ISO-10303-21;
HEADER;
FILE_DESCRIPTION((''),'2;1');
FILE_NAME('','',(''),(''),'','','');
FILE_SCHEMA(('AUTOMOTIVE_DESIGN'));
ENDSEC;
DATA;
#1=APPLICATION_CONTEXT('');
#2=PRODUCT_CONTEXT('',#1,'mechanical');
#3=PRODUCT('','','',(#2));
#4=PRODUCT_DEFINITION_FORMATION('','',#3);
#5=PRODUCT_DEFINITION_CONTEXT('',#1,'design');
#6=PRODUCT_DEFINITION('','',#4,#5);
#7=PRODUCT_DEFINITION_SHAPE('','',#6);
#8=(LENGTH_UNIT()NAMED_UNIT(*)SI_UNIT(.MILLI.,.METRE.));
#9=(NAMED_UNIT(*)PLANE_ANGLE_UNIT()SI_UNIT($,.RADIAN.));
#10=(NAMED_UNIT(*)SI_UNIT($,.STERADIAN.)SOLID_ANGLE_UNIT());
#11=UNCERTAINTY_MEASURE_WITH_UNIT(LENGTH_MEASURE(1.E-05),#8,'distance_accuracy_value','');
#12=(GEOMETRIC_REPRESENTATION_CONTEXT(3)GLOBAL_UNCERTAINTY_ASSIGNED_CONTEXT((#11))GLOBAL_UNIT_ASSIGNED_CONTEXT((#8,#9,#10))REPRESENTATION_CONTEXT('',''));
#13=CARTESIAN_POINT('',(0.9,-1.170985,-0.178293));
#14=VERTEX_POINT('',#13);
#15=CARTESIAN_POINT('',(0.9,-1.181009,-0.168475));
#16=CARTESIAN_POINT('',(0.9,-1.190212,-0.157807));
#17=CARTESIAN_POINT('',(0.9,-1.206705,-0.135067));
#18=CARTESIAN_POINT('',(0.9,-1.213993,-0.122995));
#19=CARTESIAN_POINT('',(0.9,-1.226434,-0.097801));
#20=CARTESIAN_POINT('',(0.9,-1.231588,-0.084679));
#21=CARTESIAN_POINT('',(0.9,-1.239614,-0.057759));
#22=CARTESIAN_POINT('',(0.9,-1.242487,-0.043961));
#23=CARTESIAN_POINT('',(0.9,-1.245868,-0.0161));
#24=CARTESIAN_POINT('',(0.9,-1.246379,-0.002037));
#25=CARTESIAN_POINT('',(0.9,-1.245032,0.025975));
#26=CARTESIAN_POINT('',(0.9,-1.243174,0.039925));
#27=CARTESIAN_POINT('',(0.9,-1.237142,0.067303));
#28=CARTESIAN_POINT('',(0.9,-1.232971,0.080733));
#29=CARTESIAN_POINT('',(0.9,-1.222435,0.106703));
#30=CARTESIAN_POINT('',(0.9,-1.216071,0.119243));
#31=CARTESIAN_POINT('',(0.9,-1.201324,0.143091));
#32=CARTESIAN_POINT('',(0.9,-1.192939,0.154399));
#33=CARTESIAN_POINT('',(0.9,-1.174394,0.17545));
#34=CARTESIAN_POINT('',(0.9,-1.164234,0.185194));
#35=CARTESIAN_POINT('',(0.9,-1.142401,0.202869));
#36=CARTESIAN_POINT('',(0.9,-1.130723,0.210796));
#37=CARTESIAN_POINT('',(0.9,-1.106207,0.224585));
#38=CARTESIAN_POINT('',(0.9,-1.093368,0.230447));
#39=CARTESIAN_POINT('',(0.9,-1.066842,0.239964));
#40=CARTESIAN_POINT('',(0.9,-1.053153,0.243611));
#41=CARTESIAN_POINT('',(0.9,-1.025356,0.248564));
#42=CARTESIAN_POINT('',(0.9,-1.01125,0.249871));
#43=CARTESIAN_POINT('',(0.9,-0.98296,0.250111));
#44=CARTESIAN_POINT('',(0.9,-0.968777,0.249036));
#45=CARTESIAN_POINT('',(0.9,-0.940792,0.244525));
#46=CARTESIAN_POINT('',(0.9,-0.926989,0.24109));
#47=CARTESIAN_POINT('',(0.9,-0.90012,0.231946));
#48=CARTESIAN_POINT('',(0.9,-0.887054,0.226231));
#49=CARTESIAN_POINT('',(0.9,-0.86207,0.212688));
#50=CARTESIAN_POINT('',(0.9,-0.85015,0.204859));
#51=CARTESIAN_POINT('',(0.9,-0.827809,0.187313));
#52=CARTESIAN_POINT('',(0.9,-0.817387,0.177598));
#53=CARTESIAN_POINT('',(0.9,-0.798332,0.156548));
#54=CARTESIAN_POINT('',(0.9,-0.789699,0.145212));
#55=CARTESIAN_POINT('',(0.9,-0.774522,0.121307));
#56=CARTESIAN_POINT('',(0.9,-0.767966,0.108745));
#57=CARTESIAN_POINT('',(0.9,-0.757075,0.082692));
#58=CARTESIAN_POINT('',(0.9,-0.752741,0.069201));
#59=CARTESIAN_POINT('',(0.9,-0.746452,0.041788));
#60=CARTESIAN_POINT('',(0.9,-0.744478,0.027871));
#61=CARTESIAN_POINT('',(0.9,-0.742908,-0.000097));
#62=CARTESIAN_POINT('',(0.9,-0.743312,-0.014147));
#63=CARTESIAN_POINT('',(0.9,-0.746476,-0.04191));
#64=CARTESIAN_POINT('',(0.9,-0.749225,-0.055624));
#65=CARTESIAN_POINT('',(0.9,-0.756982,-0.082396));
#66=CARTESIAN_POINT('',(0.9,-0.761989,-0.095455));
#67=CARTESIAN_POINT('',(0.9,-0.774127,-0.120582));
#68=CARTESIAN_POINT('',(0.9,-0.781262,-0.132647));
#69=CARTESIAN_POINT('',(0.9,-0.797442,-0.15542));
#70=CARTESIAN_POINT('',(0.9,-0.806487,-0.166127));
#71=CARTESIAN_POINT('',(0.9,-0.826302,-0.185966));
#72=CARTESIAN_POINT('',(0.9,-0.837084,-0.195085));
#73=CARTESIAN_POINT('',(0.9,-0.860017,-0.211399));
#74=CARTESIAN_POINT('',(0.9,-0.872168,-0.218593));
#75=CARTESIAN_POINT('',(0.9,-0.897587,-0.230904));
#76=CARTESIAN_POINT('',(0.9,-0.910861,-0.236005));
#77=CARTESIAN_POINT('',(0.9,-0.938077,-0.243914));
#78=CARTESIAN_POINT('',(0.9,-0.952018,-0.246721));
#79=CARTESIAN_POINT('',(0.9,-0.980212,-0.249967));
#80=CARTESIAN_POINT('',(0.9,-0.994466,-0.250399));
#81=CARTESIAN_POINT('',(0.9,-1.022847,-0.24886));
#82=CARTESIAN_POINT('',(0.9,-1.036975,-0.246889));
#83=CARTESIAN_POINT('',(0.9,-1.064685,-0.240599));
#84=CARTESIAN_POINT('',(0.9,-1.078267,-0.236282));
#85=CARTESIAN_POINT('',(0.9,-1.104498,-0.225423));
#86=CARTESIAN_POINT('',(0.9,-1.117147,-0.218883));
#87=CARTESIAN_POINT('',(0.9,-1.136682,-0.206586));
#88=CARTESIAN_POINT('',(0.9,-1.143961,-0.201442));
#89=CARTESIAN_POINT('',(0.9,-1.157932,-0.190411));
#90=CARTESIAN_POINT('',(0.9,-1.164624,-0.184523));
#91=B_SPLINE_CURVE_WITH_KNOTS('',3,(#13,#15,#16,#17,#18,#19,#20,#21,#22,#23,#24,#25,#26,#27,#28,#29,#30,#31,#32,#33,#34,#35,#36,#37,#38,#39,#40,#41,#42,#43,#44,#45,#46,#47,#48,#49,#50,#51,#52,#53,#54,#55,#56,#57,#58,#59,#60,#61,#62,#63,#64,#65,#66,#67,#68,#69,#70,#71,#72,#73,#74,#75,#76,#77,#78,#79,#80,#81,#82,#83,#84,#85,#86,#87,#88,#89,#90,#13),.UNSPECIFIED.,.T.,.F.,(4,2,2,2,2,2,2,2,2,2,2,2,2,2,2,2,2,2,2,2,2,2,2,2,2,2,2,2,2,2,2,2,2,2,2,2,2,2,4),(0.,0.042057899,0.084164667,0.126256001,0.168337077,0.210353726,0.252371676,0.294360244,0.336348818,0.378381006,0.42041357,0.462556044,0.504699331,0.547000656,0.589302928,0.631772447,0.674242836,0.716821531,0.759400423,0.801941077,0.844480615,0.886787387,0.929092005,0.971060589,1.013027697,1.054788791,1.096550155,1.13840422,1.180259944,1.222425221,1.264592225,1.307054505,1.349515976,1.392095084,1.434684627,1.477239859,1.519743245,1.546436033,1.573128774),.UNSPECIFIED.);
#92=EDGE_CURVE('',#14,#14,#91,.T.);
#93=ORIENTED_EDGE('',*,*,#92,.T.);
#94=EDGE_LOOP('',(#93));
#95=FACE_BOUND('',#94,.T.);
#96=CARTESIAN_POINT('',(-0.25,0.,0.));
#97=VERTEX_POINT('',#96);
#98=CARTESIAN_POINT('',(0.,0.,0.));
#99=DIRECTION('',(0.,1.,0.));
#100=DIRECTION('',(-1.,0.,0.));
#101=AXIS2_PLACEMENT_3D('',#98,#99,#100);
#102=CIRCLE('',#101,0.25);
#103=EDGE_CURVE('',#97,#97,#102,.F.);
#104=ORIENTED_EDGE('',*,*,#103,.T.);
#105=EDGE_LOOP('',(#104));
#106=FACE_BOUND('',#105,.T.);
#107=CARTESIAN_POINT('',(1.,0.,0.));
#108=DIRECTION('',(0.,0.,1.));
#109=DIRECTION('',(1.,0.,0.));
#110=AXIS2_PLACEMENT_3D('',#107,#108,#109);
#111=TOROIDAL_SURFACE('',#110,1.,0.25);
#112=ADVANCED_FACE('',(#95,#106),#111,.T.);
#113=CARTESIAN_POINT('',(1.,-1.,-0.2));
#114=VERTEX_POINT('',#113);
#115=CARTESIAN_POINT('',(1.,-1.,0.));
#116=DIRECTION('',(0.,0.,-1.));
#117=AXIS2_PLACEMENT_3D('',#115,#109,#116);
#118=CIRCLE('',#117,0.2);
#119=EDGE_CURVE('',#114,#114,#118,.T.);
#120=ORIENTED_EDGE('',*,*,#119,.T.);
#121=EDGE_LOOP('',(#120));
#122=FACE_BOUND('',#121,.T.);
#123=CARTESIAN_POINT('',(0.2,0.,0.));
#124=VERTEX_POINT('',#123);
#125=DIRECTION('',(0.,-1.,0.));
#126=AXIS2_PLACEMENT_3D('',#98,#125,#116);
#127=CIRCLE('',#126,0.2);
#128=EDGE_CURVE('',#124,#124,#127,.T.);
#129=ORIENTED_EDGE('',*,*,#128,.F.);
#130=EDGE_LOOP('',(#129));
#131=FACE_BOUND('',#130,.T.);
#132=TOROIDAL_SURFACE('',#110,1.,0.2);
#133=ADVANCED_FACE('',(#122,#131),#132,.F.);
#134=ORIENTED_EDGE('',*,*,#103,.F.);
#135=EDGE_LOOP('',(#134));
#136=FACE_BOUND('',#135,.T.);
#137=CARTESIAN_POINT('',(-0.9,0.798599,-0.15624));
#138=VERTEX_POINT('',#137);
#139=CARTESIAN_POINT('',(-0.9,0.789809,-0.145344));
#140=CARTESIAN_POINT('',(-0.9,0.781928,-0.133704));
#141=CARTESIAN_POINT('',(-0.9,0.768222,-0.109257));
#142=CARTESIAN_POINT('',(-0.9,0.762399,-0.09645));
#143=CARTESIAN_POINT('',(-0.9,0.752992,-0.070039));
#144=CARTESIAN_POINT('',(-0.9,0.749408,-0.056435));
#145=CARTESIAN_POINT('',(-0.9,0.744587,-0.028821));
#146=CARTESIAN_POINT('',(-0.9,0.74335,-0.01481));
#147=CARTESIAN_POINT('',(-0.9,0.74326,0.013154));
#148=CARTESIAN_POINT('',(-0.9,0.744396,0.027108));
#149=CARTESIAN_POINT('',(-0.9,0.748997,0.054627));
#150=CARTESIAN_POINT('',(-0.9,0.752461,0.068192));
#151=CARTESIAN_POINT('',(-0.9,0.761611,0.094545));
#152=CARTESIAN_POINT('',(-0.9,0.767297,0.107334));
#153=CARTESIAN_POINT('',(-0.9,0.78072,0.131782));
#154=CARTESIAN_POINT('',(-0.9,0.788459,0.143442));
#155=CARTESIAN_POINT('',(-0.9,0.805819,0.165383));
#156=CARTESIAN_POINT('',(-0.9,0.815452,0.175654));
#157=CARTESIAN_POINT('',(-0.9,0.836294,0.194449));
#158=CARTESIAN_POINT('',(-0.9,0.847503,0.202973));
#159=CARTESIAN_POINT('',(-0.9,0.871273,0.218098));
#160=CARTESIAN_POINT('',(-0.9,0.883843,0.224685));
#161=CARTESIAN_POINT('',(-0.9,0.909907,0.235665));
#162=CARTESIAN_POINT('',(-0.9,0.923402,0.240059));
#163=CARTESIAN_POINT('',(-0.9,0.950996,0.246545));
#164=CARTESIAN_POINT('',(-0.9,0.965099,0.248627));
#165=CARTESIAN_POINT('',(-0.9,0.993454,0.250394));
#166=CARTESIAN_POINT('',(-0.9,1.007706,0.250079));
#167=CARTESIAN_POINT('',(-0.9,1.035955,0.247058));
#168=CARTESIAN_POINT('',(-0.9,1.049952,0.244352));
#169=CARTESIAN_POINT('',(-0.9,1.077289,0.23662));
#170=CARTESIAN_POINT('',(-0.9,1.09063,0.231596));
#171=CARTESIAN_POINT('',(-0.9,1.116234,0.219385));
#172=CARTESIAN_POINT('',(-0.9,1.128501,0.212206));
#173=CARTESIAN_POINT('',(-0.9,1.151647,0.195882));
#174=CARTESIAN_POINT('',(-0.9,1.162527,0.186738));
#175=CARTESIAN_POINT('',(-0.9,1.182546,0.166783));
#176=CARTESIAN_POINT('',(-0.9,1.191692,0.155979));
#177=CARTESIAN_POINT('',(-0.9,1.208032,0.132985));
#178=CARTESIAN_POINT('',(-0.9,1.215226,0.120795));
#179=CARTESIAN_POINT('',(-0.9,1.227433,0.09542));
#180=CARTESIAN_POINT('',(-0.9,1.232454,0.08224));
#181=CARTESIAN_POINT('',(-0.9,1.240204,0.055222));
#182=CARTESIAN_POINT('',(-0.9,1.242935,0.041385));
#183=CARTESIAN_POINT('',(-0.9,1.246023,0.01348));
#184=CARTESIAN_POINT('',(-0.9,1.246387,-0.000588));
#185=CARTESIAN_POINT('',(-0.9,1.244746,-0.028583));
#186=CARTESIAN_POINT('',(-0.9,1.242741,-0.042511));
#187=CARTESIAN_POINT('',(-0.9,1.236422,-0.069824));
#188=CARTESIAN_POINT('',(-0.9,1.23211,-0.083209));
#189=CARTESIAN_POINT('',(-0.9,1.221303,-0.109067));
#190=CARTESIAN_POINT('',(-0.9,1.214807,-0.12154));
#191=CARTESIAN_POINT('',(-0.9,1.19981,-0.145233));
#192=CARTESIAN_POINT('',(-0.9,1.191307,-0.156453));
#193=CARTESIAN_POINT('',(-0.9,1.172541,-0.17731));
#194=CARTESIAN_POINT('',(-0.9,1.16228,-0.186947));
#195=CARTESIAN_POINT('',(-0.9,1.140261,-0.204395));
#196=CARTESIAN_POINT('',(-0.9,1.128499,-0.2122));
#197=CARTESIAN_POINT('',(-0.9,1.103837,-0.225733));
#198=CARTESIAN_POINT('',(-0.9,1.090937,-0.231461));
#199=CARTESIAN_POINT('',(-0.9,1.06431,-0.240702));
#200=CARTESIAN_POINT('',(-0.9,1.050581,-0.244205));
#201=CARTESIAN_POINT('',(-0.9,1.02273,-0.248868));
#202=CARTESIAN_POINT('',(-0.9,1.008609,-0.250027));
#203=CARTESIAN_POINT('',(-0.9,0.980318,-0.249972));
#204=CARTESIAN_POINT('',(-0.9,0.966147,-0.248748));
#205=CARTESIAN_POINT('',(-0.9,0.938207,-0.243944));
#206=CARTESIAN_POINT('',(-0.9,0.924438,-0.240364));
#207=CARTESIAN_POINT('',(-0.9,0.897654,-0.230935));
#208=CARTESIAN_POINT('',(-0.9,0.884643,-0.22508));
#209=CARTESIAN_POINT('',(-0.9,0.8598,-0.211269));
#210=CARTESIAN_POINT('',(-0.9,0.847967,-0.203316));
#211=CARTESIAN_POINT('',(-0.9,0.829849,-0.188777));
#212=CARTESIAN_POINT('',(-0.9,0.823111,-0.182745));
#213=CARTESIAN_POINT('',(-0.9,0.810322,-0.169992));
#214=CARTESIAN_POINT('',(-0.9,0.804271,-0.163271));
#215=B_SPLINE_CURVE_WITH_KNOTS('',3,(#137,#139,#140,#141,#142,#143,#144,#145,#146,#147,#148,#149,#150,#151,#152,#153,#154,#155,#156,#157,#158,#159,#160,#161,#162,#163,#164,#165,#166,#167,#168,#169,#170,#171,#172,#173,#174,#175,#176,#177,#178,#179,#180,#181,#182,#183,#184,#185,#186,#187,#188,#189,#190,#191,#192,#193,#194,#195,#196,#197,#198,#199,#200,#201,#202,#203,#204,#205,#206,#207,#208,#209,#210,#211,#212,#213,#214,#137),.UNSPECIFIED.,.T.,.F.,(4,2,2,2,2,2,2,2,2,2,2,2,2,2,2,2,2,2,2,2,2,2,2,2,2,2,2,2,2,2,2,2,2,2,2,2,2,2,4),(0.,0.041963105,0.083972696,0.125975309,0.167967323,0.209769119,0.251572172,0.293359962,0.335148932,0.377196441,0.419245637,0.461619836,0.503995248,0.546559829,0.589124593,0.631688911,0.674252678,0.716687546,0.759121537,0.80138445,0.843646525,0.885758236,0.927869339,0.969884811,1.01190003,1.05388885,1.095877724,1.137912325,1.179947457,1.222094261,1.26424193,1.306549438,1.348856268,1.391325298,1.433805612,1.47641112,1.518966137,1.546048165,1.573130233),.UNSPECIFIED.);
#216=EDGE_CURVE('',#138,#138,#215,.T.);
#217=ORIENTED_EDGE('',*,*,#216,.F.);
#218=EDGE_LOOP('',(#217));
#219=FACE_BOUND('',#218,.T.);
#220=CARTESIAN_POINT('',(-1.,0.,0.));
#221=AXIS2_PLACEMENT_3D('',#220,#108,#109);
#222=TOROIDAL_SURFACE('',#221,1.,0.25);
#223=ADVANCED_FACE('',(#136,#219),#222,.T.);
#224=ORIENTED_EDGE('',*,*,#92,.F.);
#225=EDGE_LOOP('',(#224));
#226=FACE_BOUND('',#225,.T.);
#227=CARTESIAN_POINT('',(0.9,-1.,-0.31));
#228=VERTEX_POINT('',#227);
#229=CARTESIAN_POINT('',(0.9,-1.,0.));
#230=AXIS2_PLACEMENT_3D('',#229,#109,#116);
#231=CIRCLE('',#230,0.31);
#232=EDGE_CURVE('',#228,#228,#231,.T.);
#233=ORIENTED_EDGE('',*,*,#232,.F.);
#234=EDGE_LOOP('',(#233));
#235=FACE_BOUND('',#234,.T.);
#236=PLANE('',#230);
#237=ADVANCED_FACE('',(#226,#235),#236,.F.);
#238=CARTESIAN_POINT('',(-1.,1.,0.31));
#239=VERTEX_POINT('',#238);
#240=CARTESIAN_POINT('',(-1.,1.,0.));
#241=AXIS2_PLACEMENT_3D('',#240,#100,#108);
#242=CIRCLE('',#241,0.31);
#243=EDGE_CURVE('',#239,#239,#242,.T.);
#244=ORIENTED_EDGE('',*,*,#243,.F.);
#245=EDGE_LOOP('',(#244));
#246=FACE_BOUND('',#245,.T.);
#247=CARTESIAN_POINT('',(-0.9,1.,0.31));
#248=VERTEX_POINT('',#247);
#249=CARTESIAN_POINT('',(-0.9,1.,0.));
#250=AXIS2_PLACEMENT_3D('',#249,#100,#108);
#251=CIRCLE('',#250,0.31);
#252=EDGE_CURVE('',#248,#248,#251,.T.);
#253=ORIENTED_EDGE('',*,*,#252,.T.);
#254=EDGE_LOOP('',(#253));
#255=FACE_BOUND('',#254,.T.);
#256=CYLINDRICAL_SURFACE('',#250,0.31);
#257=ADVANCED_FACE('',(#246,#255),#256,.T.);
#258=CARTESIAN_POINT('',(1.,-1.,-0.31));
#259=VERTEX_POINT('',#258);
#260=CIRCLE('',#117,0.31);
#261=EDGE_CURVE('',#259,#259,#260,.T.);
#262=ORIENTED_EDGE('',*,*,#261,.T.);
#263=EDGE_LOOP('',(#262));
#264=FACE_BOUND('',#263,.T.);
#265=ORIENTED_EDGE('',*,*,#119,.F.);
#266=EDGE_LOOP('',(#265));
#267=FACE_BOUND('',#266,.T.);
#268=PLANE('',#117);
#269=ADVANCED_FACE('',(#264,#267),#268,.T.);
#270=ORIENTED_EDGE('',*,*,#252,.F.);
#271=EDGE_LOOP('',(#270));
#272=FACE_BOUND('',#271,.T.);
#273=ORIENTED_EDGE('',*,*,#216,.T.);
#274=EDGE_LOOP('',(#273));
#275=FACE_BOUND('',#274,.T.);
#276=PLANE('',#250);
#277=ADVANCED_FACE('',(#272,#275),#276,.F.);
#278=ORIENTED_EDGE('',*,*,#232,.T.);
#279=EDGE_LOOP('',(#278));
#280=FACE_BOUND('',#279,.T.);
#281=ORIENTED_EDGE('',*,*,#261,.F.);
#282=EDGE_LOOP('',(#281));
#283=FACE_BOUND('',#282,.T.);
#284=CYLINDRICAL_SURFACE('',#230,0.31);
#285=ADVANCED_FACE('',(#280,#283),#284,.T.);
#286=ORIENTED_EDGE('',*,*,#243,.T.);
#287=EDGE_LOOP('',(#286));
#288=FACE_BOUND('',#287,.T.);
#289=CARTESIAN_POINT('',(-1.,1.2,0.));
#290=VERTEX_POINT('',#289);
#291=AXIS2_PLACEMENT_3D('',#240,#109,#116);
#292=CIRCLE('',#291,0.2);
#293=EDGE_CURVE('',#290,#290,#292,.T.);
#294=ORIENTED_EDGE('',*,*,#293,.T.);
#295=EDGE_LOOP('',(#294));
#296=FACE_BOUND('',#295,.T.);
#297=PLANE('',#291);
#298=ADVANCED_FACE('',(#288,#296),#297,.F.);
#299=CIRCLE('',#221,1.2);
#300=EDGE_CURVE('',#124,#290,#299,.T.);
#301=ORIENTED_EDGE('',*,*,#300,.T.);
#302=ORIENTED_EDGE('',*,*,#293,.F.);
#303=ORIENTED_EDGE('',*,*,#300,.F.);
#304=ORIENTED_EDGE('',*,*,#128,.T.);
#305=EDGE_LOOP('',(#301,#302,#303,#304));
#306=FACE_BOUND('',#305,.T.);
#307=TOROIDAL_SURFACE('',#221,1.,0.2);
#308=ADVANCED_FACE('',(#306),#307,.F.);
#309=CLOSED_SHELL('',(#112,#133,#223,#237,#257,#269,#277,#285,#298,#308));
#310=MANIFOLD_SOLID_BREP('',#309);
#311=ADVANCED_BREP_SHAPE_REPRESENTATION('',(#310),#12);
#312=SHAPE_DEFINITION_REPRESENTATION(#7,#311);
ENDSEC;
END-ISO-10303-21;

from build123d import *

# Parameters (mm, degrees)
IZIM3_R   = 0.25
IZIM3_R_2 = 0.2
IZIM8_R   = 0.31
IZIM8_R_2 = 0.21
IZIM9_R   = 0.31
IZIM9_R_2 = 0.21


with BuildPart() as part:
    # Süpür-İnce3: sweep along a path in Çizim1
    with BuildLine(Plane.XY) as s_p_r_nce3_path:
        ThreePointArc((1, -1), (0.292893219, -0.707106781), (0, 0))
        ThreePointArc((0, 0), (-0.292893219, 0.707106781), (-1, 1))
    # Çizim3 → Süpür-İnce3 (sweep)
    with BuildSketch(Plane(origin=(1, 0, 0), x_dir=(0, 0, -1), z_dir=(1, 0, 0))):
        with Locations((0, -1)):
            Circle(IZIM3_R)
        with Locations((0, -1)):
            Circle(IZIM3_R_2, mode=Mode.SUBTRACT)
    sweep(path=s_p_r_nce3_path.line)

    # Süpür-İnce5: sweep along a path in Çizim7
    with BuildLine(Plane.XY) as s_p_r_nce5_path:
        Line((-1, 1), (-0.9, 1))
    # Çizim8 → Süpür-İnce5 (sweep)
    with BuildSketch(Plane.ZY.offset(1)):
        with Locations((0, 1)):
            Circle(IZIM8_R)
        with Locations((0, 1)):
            Circle(IZIM8_R_2, mode=Mode.SUBTRACT)
    sweep(path=s_p_r_nce5_path.line)

    # Süpür-İnce6: sweep along a path in Çizim5
    with BuildLine(Plane.XY) as s_p_r_nce6_path:
        Line((1, -1), (0.9, -1))
    # Çizim9 → Süpür-İnce6 (sweep)
    with BuildSketch(Plane(origin=(1, 0, 0), x_dir=(0, 0, -1), z_dir=(1, 0, 0))):
        with Locations((0, -1)):
            Circle(IZIM9_R)
        with Locations((0, -1)):
            Circle(IZIM9_R_2, mode=Mode.SUBTRACT)
    sweep(path=s_p_r_nce6_path.line)


solid = part.part
